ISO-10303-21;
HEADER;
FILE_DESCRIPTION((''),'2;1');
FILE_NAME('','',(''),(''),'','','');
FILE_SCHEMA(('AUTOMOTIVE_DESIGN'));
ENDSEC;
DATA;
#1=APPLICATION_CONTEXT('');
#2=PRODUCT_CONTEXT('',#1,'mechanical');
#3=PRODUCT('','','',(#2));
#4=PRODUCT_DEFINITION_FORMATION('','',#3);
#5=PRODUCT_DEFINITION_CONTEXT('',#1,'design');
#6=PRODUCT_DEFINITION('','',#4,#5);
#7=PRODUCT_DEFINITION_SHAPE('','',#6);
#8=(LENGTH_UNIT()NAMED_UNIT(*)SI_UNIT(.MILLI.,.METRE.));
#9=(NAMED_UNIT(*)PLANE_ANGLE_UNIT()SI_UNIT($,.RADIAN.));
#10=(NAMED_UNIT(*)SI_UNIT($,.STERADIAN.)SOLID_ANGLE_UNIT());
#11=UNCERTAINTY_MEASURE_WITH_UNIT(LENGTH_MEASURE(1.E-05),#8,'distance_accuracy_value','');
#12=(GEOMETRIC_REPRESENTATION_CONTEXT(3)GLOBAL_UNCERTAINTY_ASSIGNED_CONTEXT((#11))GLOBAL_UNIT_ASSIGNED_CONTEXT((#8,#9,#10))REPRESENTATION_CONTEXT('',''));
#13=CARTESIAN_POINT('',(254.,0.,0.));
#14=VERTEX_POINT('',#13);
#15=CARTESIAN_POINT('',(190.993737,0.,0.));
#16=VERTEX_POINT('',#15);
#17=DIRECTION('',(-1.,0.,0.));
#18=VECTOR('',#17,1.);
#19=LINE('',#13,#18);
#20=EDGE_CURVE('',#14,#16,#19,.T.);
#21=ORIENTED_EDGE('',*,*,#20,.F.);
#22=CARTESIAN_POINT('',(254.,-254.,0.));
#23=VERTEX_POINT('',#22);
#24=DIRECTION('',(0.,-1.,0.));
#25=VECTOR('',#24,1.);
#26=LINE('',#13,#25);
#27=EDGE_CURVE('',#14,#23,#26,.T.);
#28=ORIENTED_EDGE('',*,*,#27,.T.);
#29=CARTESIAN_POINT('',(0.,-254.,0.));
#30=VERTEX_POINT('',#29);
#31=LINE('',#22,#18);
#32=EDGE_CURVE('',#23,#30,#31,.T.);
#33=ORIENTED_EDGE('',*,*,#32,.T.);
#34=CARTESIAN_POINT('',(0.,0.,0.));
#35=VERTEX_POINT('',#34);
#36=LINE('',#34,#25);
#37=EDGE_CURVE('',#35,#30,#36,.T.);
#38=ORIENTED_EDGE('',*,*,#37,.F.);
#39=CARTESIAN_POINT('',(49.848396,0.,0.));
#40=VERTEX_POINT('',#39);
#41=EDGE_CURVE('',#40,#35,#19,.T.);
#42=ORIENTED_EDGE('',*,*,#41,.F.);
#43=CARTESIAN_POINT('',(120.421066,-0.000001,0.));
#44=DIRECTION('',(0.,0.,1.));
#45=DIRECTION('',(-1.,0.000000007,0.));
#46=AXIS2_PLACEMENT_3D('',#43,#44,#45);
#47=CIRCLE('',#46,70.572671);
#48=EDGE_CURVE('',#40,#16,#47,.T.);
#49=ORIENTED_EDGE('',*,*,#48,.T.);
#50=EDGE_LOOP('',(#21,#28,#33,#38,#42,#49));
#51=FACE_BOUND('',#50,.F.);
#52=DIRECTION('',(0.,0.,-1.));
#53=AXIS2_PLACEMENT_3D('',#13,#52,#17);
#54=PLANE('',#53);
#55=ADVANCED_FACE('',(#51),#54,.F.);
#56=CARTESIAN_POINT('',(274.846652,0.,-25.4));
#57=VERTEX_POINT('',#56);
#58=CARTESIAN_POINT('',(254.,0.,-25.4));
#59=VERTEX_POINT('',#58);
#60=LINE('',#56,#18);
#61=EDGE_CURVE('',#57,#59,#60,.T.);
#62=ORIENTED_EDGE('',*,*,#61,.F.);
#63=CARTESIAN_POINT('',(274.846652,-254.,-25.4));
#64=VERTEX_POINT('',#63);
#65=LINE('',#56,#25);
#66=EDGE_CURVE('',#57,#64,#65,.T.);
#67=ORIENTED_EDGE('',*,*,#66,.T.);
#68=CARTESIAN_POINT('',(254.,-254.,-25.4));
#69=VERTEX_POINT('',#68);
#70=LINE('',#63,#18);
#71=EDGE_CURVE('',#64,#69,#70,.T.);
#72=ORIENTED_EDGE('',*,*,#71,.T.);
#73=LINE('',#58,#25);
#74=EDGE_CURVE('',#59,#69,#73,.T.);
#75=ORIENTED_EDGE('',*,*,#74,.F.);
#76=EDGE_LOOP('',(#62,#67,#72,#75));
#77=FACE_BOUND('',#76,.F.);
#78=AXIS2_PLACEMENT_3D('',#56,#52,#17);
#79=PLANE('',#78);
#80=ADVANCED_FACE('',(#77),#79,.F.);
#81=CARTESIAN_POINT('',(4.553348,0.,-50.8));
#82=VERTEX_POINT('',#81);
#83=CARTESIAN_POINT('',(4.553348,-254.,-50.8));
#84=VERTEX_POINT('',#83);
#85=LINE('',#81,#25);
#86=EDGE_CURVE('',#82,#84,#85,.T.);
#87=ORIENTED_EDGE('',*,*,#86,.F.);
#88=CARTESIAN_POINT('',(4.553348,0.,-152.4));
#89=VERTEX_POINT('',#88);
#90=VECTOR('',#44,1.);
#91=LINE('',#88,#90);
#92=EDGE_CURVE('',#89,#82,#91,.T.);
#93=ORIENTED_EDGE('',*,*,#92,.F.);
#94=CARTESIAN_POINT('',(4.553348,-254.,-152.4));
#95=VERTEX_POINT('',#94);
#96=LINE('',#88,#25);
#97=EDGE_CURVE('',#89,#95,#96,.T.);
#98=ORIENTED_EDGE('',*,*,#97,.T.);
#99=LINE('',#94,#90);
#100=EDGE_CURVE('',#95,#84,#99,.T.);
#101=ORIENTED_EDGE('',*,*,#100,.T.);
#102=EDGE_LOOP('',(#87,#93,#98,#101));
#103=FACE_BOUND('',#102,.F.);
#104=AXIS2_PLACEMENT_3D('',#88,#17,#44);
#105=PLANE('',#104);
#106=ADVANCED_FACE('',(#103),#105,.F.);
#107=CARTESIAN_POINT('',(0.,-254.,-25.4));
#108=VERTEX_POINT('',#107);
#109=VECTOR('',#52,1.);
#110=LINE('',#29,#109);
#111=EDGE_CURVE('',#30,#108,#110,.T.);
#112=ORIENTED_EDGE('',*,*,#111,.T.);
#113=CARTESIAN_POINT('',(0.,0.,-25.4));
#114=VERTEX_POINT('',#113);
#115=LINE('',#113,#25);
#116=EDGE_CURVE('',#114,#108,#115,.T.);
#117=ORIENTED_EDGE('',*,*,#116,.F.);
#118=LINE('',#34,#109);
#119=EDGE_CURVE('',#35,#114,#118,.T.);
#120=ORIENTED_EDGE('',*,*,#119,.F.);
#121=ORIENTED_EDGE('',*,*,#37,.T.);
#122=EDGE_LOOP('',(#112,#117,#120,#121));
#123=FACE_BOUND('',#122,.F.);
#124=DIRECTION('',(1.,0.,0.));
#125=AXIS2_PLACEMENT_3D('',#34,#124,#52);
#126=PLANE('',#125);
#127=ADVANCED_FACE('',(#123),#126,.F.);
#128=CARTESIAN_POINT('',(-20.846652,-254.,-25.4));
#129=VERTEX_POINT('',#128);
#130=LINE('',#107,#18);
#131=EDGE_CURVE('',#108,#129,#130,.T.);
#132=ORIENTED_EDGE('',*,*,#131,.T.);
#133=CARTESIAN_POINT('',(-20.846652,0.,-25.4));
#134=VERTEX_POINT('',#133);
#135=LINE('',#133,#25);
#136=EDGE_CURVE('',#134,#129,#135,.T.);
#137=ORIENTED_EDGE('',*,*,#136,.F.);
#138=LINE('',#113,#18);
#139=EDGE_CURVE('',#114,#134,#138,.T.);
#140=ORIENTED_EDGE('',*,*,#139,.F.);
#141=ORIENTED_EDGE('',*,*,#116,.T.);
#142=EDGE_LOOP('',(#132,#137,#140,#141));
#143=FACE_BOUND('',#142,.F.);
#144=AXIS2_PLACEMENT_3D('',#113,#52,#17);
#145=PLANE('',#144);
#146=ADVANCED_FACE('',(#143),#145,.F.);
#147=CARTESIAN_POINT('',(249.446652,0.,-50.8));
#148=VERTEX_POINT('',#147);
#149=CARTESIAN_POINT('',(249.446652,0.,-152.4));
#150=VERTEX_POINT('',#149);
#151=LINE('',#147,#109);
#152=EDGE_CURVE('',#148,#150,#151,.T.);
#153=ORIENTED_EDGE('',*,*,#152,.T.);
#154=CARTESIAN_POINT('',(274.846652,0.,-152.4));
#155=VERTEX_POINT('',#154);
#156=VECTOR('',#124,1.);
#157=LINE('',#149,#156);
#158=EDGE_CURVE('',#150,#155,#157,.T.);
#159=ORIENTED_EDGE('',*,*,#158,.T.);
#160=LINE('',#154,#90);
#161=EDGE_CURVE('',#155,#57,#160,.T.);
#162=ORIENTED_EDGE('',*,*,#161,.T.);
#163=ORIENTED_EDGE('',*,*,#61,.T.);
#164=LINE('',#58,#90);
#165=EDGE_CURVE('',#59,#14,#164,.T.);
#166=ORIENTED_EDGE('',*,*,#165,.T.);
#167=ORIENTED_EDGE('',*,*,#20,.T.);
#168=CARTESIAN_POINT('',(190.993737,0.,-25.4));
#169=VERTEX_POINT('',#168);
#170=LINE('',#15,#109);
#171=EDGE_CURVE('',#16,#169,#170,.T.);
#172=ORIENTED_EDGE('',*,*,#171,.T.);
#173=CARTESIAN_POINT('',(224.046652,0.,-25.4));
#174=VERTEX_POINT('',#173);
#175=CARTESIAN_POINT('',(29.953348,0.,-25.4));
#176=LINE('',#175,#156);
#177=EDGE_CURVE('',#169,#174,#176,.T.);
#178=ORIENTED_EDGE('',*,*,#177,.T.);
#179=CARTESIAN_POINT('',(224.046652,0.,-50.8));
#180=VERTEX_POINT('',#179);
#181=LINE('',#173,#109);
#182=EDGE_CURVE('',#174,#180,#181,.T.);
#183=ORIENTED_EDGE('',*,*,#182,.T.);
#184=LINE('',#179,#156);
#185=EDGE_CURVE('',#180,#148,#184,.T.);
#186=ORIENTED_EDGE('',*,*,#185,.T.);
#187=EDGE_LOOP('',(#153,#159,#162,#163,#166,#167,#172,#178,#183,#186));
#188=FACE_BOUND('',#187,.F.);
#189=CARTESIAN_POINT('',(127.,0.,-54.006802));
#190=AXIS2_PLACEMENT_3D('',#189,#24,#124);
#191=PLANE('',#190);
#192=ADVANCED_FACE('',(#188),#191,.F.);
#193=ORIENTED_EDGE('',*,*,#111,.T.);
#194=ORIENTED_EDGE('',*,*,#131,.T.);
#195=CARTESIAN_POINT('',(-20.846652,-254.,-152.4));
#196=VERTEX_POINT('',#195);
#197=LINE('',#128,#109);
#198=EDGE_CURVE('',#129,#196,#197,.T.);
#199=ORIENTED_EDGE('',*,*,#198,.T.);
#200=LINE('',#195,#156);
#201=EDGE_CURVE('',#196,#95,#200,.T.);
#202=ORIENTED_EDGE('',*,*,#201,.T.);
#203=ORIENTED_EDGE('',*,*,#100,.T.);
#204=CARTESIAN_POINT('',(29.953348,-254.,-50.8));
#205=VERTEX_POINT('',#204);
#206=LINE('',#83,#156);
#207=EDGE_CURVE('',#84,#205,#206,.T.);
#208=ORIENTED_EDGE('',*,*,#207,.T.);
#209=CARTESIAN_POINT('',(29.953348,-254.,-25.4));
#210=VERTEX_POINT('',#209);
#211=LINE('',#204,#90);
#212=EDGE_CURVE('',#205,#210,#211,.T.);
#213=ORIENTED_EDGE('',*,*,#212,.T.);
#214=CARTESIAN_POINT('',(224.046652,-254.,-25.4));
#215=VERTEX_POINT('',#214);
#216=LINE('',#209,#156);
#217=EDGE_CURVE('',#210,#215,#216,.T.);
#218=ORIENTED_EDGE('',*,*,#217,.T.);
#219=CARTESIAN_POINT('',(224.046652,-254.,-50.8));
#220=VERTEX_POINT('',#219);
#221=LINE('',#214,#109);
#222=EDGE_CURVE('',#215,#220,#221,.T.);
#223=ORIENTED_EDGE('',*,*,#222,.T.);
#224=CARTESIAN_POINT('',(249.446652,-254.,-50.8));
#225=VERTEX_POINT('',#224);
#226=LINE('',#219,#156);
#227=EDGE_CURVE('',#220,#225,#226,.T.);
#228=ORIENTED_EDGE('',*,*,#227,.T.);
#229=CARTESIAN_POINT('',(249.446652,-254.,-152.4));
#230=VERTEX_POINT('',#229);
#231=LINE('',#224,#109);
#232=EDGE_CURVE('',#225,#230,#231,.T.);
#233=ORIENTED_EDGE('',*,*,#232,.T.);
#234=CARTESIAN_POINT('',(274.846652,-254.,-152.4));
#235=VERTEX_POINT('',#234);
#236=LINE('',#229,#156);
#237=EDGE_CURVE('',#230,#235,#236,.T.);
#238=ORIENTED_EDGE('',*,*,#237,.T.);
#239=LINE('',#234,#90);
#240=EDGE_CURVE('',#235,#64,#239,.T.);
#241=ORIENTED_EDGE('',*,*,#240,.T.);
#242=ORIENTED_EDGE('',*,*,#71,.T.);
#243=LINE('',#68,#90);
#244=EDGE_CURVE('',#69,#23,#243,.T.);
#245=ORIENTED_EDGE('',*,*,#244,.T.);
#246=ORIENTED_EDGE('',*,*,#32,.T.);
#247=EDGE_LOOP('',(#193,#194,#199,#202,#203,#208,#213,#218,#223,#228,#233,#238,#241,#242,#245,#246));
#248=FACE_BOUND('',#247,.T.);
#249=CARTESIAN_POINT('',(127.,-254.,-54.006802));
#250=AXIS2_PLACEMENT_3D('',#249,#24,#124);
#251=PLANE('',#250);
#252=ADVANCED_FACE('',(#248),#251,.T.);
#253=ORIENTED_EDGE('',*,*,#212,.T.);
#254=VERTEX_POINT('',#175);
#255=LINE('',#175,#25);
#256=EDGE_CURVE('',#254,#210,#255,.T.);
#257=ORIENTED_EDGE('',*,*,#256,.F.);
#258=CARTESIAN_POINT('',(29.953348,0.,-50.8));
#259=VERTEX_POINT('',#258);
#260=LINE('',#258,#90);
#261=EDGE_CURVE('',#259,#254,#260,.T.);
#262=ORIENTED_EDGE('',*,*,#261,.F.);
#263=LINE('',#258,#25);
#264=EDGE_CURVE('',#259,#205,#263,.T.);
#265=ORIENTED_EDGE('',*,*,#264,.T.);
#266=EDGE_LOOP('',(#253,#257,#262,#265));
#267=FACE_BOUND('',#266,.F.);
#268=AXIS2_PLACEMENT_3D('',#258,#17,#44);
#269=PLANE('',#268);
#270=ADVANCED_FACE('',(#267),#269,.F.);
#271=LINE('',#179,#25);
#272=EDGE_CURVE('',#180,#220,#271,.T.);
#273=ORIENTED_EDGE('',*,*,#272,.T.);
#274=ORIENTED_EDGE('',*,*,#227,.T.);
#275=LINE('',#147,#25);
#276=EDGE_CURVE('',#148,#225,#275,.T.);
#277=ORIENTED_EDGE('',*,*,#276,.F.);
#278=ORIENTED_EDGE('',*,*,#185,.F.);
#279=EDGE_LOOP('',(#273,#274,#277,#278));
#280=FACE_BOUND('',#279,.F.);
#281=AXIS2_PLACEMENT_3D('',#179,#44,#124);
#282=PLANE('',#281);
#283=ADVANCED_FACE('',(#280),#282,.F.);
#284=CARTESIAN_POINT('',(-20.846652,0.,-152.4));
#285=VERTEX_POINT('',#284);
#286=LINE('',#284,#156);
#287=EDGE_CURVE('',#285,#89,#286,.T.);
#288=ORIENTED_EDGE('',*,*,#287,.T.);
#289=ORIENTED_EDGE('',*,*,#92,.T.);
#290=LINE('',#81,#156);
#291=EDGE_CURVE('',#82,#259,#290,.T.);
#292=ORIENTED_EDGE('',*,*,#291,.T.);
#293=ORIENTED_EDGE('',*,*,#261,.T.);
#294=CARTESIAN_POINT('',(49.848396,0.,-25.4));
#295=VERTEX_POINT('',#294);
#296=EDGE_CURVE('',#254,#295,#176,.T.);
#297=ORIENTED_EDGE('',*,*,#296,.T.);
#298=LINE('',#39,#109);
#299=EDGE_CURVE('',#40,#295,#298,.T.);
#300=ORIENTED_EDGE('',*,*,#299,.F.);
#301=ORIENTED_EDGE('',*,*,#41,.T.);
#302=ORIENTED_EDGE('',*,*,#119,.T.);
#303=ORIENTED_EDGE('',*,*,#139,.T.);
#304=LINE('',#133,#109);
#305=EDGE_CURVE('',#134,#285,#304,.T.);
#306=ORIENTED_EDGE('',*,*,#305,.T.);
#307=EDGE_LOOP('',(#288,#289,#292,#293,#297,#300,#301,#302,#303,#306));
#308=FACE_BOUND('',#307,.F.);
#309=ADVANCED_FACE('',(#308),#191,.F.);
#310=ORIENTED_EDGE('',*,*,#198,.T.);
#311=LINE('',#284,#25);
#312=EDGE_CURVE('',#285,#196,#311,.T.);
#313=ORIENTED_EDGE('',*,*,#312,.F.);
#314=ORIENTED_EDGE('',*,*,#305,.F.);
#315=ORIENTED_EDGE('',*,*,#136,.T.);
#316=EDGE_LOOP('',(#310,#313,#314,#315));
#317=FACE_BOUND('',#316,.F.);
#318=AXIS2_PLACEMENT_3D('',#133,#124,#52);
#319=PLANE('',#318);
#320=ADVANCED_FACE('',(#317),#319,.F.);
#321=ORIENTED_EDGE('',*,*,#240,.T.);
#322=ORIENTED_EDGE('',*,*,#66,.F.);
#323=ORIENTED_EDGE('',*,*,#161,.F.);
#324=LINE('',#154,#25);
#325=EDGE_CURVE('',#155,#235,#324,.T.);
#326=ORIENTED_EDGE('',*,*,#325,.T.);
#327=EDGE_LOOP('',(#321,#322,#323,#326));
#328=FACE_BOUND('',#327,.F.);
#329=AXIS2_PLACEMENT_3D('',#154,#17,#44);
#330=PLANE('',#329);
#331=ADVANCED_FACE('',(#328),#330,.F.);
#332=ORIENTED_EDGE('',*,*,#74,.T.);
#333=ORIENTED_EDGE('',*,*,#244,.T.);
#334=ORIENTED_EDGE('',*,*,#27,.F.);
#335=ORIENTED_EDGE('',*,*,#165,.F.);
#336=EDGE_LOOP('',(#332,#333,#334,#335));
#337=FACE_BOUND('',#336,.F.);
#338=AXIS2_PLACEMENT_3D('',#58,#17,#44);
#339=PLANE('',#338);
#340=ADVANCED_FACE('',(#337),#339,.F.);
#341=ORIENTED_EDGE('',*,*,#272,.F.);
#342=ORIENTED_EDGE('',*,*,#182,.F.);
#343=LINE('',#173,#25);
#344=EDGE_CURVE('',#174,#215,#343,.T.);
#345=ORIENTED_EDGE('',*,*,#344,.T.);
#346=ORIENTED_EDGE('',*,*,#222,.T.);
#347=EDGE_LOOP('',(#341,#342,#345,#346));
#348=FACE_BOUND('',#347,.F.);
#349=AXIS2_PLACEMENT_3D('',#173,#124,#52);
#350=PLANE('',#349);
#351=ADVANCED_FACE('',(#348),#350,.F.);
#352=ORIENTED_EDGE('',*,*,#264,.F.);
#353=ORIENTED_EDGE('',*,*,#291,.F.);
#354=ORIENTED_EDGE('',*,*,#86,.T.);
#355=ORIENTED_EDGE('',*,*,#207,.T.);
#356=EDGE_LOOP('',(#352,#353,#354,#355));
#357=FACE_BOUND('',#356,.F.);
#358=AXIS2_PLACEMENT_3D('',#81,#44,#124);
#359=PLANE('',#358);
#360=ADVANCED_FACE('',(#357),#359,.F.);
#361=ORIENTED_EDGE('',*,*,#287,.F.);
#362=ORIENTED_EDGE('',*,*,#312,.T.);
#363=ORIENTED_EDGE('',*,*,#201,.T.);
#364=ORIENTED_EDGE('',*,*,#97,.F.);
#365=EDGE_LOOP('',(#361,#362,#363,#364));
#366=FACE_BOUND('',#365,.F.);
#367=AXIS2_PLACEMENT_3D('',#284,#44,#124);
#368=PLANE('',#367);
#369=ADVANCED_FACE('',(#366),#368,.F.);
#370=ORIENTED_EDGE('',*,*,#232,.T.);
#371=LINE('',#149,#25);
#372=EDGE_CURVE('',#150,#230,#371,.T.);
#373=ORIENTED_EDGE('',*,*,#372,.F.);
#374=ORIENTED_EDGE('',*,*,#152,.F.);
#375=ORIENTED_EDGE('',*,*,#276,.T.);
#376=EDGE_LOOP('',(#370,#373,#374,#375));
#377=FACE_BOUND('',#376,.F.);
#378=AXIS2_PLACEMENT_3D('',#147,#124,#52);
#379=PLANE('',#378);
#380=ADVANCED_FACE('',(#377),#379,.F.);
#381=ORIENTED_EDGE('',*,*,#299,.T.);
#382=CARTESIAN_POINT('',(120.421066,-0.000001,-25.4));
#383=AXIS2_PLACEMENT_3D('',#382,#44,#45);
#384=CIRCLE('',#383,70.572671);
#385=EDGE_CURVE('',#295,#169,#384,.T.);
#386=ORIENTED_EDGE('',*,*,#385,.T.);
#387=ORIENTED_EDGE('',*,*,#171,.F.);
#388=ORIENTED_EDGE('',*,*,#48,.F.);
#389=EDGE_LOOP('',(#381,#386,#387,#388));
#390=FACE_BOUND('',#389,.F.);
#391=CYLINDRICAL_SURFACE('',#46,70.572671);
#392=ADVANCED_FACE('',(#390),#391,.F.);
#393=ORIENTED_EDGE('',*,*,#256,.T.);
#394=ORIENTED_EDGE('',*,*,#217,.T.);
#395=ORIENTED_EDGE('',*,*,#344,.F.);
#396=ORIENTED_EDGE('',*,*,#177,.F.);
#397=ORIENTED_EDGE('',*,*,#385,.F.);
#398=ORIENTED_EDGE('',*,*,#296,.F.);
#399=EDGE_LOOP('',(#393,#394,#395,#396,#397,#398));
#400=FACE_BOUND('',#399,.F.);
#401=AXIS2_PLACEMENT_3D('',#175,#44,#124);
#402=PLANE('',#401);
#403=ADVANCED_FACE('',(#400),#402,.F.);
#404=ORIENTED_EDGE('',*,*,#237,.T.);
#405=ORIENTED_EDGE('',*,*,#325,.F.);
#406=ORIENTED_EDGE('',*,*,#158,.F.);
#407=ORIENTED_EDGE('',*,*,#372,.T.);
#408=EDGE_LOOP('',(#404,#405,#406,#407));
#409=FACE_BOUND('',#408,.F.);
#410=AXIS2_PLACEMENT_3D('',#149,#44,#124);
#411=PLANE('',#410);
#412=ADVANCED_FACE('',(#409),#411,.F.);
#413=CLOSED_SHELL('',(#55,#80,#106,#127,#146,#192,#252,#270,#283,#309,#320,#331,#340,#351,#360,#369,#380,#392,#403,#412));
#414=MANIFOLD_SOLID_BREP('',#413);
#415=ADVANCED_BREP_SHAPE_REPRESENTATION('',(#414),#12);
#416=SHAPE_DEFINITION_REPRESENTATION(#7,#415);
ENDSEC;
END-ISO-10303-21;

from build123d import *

# Parameters (mm, degrees)
F1_DEPTH = 254
F3_DEPTH = 152.401


with BuildPart() as f1:
    # F0 (on Front) → F1 (new body)
    with BuildSketch(Plane.XZ):
        Polygon((254, 0), (0, 0), (0, -25.4), (-20.846652, -25.4), (-20.846652, -152.4), (4.553348, -152.4), (4.553348, -50.8), (29.953348, -50.8), (29.953348, -25.4), (224.046652, -25.4), (224.046652, -50.8), (249.446652, -50.8), (249.446652, -152.4), (274.846652, -152.4), (274.846652, -25.4), (254, -25.4), align=None)
    extrude(amount=F1_DEPTH)

    # F2 (on face) → F3 (cut, through all)
    with BuildSketch(Plane.XY):
        with BuildLine():
            Line((190.993737, 0), (49.848396, 0))
            ThreePointArc((49.848396, 0), (120.421067, -70.572671), (190.993737, 0))
        make_face()
    extrude(amount=-F3_DEPTH, mode=Mode.SUBTRACT)


solid = f1.part
